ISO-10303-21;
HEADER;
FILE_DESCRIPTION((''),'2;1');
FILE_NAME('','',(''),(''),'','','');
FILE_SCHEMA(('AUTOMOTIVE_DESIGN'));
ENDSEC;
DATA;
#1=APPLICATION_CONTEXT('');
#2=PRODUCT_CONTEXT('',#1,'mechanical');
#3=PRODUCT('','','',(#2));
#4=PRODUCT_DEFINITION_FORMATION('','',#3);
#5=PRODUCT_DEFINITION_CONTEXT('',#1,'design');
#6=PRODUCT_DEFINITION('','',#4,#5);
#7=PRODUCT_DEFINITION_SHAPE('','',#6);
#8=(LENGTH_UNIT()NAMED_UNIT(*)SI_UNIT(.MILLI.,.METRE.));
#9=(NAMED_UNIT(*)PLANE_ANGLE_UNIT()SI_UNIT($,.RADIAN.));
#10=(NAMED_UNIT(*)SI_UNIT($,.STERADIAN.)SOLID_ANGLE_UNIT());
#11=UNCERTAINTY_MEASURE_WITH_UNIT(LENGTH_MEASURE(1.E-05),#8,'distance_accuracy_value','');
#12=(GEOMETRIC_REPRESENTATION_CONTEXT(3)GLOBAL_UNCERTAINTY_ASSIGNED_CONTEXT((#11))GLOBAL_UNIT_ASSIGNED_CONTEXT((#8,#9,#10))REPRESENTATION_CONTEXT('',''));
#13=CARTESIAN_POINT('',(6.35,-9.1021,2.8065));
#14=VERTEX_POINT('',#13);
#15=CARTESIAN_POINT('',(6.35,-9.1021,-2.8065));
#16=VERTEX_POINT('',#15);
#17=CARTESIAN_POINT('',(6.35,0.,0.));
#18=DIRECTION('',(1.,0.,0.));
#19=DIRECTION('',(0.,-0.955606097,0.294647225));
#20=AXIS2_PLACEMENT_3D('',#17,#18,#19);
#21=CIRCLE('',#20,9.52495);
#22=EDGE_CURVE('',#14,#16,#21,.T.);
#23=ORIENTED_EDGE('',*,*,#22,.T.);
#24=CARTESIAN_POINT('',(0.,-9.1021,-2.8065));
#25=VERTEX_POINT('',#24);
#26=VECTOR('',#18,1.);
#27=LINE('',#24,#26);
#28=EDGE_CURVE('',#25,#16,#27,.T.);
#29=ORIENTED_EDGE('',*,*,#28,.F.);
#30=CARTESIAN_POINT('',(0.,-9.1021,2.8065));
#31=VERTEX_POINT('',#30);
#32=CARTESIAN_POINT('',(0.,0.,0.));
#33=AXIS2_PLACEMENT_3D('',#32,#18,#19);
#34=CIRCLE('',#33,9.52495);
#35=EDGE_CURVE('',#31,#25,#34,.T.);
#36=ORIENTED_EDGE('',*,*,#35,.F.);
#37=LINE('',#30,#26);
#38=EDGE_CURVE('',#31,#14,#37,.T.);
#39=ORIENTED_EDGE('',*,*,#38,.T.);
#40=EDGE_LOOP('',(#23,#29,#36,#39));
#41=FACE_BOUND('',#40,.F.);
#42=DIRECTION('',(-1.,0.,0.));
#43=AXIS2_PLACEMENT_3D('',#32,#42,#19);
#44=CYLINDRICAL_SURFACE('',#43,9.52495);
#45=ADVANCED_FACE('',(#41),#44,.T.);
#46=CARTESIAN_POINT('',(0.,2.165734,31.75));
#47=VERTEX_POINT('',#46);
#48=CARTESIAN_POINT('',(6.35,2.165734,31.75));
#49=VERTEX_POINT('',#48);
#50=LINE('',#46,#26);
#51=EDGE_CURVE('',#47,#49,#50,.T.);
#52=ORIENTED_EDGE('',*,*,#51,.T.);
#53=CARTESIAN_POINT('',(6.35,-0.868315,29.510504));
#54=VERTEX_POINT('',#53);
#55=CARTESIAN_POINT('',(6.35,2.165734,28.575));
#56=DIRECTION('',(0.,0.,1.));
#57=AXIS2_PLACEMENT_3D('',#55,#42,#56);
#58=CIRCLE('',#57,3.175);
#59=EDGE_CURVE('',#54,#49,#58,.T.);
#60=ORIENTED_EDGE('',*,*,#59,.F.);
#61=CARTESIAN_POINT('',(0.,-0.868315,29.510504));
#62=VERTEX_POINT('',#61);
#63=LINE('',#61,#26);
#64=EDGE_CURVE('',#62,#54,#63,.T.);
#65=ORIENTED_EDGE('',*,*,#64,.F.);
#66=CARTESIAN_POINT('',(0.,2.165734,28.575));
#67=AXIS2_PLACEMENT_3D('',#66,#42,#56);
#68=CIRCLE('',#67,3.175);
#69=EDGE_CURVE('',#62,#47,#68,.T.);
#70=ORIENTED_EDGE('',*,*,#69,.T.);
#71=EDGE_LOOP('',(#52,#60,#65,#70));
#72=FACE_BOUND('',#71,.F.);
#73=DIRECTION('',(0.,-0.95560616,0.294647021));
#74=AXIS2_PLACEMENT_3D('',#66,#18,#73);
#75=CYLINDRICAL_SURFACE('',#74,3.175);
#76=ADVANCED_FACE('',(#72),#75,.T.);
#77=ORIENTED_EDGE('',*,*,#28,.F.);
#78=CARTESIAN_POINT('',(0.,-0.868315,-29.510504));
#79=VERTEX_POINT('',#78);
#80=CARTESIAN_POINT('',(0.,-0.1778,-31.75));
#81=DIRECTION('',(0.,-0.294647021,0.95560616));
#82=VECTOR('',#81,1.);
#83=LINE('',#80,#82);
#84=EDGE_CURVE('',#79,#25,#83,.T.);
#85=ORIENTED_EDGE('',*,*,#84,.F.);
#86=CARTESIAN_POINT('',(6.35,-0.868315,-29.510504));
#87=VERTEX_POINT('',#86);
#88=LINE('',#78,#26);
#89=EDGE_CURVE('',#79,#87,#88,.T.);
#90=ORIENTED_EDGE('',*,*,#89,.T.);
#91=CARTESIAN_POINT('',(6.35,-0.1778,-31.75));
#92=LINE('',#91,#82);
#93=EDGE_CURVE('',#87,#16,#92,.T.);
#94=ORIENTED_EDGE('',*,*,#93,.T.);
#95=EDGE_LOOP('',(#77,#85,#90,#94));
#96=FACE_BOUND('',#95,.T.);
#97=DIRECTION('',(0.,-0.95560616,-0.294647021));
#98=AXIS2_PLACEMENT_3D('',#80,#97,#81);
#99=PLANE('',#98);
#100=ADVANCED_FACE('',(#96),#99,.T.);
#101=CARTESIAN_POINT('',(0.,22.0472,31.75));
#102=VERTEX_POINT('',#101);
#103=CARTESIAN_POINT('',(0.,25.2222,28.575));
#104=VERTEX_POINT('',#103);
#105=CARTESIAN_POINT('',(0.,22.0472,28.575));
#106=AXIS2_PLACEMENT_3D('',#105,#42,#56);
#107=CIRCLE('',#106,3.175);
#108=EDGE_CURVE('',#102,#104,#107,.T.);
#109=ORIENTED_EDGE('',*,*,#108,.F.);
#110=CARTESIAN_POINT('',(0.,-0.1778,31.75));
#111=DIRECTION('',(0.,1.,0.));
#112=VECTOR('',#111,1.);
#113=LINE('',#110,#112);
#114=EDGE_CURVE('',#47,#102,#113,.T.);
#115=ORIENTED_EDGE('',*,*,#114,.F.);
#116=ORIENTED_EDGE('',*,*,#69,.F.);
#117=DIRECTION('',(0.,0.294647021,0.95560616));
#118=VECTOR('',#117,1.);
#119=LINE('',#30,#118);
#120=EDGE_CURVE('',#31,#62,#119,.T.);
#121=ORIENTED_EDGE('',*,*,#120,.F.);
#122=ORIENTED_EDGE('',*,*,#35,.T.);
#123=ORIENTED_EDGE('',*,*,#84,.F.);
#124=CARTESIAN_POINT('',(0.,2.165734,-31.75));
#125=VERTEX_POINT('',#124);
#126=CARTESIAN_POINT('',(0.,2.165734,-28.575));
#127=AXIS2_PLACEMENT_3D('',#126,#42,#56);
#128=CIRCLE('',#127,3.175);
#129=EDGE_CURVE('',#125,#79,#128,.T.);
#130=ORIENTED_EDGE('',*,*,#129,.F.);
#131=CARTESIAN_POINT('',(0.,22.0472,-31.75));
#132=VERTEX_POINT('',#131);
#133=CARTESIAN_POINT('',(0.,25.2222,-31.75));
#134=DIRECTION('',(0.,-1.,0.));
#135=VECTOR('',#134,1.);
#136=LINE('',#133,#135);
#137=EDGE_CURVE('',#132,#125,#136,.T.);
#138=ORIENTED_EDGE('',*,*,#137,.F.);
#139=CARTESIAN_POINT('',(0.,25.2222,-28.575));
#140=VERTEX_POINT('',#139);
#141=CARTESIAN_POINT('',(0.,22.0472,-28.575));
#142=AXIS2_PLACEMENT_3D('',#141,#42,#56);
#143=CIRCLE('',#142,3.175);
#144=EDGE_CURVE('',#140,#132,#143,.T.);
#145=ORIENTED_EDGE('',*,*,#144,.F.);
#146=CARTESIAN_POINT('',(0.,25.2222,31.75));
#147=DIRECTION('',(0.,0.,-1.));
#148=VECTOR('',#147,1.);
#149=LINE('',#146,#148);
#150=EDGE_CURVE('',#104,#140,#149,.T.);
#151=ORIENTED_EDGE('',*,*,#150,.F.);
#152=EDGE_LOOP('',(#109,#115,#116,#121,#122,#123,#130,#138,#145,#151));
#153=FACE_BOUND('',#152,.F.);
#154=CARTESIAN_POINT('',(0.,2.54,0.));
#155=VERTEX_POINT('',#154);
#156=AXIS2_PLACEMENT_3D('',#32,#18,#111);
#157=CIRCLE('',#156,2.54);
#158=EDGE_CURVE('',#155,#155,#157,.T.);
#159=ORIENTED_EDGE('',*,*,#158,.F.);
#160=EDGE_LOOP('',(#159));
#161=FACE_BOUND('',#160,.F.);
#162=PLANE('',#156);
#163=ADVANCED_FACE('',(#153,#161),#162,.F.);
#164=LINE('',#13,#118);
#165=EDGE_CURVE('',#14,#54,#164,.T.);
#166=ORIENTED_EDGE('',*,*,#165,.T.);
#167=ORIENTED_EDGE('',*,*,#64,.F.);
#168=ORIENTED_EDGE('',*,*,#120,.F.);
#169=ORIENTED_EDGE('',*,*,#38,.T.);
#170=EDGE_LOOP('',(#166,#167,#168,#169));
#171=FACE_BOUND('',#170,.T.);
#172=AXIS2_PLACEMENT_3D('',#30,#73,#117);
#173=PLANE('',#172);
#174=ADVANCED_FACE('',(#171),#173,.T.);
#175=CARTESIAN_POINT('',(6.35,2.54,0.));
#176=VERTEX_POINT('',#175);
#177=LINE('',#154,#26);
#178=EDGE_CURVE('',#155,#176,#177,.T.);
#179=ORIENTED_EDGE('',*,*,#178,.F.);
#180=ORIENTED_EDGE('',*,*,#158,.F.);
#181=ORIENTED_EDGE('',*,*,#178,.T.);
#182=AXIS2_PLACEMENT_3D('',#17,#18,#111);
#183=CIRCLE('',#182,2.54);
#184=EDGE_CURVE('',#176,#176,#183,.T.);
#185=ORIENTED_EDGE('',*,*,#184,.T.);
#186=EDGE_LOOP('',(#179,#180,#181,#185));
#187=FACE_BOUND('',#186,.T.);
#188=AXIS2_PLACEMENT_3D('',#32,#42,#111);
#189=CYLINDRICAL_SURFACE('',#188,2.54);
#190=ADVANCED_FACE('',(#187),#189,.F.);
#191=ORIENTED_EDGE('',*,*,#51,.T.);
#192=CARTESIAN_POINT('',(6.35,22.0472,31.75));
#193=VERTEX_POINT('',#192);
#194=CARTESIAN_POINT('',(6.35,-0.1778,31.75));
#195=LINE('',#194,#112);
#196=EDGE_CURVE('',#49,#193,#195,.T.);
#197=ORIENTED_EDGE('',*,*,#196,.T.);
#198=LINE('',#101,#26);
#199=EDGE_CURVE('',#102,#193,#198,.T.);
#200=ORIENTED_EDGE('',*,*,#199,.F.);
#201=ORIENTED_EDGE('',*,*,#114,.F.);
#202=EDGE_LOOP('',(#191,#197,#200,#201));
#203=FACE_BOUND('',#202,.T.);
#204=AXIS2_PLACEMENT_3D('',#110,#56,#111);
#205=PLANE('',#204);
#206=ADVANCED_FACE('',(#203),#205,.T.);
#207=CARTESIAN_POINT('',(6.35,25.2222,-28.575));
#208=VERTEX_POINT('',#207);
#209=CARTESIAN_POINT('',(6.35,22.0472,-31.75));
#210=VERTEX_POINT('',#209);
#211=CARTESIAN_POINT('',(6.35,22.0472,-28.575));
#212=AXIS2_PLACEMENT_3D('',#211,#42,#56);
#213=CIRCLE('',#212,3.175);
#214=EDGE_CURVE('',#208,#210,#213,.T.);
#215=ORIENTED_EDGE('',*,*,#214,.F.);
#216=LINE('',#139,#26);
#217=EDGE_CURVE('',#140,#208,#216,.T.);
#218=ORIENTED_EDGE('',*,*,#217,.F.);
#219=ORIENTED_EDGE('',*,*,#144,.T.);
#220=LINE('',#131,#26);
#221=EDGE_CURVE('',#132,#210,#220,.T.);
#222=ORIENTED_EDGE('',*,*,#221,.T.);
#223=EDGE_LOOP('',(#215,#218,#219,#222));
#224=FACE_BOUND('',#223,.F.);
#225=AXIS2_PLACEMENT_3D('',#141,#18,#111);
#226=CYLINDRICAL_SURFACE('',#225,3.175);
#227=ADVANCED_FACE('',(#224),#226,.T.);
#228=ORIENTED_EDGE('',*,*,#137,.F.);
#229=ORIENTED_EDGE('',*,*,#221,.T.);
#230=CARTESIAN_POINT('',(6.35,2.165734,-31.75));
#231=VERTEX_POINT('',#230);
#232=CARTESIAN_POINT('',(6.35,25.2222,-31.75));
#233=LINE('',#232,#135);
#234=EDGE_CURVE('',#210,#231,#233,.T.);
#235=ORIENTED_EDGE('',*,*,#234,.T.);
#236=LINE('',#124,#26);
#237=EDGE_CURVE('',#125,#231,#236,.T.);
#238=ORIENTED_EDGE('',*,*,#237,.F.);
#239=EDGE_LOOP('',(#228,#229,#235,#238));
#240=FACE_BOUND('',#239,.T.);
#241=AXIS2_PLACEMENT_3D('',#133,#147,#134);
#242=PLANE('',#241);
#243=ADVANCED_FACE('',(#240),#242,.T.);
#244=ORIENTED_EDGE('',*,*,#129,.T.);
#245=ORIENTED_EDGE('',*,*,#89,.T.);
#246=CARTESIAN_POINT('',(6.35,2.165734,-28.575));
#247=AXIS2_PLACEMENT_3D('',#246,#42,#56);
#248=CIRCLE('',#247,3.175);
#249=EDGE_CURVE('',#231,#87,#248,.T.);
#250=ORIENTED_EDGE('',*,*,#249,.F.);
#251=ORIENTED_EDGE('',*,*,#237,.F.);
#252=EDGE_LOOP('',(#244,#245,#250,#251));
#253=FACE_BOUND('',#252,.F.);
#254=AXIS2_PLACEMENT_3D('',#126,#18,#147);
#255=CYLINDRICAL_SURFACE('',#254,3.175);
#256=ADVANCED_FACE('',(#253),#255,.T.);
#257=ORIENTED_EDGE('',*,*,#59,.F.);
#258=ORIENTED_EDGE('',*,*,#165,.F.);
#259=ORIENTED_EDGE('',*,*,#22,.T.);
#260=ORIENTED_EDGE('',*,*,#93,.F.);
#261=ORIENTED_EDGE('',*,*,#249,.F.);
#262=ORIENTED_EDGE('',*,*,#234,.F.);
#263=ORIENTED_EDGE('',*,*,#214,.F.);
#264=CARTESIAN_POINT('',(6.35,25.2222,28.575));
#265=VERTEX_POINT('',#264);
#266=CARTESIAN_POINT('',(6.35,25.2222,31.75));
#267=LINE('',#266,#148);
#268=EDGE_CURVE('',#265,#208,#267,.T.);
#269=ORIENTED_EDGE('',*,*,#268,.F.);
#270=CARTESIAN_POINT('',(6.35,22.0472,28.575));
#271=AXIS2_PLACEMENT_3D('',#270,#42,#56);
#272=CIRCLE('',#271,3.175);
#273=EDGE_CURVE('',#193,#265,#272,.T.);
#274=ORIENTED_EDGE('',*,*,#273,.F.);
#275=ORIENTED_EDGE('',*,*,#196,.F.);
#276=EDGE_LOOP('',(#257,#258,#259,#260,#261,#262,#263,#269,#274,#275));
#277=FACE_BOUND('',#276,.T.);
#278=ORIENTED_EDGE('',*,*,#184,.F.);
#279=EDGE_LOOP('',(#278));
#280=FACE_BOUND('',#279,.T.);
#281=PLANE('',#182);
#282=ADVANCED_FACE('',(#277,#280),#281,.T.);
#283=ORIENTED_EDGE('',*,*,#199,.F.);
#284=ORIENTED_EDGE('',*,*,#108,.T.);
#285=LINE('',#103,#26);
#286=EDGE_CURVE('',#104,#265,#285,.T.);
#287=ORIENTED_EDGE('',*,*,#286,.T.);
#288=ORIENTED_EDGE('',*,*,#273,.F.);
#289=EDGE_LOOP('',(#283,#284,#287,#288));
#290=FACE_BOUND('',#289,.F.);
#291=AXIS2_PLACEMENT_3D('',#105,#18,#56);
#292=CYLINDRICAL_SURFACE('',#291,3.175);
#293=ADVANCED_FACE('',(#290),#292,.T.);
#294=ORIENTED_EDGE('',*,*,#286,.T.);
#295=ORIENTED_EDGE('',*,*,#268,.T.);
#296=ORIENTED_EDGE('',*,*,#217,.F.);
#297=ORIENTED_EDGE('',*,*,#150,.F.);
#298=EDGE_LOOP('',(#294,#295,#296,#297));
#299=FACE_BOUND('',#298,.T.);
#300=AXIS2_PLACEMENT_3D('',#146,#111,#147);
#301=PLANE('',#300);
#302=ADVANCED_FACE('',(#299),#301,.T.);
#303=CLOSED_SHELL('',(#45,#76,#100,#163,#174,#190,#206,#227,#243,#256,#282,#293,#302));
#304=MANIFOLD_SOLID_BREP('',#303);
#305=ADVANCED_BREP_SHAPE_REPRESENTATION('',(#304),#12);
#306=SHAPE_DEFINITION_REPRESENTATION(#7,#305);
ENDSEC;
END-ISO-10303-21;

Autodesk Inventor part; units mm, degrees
ref_plane "YZ Plane" through (0, 0, 0) normal (1, 0, 0) x (0, 1, 0)
ref_plane "XZ Plane" through (0, 0, 0) normal (0, 1, 0) x (-1, 0, 0)
ref_plane "XY Plane" through (0, 0, 0) normal (0, 0, 1) x (1, 0, 0)
sketch "Sketch1" plane through (0, 0, 0) normal (1, 0, 0) x (0, 1, 0)
  circle A0 centre (0, 0) radius 2.54
  arc A1 (-9.1021, 2.8065) -> (-9.1021, -2.8065) centre (0, 0) ccw
  line L0 (-9.1021, 2.8065) -> (-0.1778, 31.75)
  line L1 (-0.1778, 31.75) -> (25.2222, 31.75)
  line L2 (25.2222, 31.75) -> (25.2222, -31.75)
  line L3 (25.2222, -31.75) -> (-0.1778, -31.75)
  line L4 (-0.1778, -31.75) -> (-9.1021, -2.8065)
  line L5 (12.5222, -31.75) -> (12.5222, 31.75) construction
  dimension "d0" = 5.08
  dimension "d1" = 25.4
  dimension "d2" = 12.5222
  dimension "d3" = 9.525
  dimension "d4" = 63.5
extrude "Extrusion1" add sketch "Sketch1" along normal blind 6.35
fillet "Fillet1" radius 3.175 4 edges at (3.175, 25.2222, 31.75) (3.175, -0.1778, 31.75) (3.175, 25.2222, -31.75) (3.175, -0.1778, -31.75)
properties part number "pivot plate"
